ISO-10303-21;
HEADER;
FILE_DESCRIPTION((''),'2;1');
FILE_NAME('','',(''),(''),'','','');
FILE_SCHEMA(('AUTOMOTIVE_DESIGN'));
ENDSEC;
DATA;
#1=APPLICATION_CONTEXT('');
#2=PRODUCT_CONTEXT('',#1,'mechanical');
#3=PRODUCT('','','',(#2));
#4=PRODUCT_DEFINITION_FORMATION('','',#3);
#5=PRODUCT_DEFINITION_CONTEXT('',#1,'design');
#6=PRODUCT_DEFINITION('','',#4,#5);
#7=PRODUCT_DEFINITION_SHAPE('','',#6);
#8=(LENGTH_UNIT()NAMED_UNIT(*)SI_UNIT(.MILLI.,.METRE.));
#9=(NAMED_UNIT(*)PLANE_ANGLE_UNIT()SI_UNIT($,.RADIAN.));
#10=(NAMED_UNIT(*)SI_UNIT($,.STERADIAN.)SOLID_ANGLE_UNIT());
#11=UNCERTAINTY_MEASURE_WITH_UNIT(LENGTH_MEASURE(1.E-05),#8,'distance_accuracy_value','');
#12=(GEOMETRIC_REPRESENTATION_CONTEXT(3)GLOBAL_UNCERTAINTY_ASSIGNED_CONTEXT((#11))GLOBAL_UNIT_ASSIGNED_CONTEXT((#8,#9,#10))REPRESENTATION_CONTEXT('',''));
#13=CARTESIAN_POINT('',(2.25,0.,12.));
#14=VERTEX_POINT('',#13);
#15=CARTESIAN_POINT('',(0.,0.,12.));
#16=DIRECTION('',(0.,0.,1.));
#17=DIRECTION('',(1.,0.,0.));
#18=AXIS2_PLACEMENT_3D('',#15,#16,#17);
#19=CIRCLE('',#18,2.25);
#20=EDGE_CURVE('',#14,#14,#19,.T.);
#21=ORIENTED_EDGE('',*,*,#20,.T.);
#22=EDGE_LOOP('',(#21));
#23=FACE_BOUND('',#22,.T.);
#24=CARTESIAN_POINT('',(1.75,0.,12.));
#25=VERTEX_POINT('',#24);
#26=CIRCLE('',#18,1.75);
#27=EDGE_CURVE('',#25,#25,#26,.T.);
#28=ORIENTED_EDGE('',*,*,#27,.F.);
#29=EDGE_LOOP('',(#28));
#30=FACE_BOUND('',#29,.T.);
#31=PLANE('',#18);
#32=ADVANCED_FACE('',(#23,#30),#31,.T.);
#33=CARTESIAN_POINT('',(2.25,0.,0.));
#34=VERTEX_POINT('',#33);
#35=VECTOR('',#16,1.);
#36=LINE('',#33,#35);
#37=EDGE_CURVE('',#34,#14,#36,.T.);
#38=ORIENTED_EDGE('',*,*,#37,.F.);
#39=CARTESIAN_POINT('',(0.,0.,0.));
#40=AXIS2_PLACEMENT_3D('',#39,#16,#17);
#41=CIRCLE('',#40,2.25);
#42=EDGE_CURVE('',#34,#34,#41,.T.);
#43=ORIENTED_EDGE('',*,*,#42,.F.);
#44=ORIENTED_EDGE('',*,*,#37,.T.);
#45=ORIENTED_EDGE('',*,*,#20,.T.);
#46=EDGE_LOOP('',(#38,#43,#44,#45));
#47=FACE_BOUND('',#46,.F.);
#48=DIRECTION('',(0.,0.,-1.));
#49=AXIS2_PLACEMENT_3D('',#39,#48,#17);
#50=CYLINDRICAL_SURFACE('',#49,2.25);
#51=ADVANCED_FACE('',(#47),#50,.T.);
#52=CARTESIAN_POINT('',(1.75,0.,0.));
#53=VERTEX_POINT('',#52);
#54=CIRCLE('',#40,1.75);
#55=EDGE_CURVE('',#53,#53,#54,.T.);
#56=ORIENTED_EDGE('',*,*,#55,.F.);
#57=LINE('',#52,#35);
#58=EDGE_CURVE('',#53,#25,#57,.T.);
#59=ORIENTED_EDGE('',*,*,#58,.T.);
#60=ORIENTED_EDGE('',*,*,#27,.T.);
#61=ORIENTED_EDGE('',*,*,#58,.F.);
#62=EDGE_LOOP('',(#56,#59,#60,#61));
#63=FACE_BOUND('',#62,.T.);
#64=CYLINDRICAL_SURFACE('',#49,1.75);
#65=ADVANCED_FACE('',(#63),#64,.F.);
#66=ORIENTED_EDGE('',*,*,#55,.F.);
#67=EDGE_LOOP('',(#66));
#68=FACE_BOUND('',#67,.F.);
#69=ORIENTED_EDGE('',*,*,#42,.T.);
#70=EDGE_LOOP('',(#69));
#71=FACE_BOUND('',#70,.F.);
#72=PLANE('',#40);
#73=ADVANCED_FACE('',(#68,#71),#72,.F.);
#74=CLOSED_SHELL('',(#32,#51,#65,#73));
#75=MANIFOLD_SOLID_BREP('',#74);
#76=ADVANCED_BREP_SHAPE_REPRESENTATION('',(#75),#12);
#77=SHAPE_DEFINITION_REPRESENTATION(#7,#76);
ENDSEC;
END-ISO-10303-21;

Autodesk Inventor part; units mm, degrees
ref_plane "YZ Plane" through (0, 0, 0) normal (1, 0, 0) x (0, 1, 0)
ref_plane "XZ Plane" through (0, 0, 0) normal (0, 1, 0) x (-1, 0, 0)
ref_plane "XY Plane" through (0, 0, 0) normal (0, 0, 1) x (1, 0, 0)
sketch "Skizze1" plane through (0, 0, 0) normal (0, 0, 1) x (1, 0, 0)
  circle A0 centre (0, 0) radius 1.75
  circle A1 centre (0, 0) radius 2.25
  dimension "d0" = 3.5
  dimension "d1" = 4.5
extrude "Extrusion1" add sketch "Skizze1" along normal blind 12
properties part number "Abstandshalter 12mm leicht" material "ABS-Kunststoff"
